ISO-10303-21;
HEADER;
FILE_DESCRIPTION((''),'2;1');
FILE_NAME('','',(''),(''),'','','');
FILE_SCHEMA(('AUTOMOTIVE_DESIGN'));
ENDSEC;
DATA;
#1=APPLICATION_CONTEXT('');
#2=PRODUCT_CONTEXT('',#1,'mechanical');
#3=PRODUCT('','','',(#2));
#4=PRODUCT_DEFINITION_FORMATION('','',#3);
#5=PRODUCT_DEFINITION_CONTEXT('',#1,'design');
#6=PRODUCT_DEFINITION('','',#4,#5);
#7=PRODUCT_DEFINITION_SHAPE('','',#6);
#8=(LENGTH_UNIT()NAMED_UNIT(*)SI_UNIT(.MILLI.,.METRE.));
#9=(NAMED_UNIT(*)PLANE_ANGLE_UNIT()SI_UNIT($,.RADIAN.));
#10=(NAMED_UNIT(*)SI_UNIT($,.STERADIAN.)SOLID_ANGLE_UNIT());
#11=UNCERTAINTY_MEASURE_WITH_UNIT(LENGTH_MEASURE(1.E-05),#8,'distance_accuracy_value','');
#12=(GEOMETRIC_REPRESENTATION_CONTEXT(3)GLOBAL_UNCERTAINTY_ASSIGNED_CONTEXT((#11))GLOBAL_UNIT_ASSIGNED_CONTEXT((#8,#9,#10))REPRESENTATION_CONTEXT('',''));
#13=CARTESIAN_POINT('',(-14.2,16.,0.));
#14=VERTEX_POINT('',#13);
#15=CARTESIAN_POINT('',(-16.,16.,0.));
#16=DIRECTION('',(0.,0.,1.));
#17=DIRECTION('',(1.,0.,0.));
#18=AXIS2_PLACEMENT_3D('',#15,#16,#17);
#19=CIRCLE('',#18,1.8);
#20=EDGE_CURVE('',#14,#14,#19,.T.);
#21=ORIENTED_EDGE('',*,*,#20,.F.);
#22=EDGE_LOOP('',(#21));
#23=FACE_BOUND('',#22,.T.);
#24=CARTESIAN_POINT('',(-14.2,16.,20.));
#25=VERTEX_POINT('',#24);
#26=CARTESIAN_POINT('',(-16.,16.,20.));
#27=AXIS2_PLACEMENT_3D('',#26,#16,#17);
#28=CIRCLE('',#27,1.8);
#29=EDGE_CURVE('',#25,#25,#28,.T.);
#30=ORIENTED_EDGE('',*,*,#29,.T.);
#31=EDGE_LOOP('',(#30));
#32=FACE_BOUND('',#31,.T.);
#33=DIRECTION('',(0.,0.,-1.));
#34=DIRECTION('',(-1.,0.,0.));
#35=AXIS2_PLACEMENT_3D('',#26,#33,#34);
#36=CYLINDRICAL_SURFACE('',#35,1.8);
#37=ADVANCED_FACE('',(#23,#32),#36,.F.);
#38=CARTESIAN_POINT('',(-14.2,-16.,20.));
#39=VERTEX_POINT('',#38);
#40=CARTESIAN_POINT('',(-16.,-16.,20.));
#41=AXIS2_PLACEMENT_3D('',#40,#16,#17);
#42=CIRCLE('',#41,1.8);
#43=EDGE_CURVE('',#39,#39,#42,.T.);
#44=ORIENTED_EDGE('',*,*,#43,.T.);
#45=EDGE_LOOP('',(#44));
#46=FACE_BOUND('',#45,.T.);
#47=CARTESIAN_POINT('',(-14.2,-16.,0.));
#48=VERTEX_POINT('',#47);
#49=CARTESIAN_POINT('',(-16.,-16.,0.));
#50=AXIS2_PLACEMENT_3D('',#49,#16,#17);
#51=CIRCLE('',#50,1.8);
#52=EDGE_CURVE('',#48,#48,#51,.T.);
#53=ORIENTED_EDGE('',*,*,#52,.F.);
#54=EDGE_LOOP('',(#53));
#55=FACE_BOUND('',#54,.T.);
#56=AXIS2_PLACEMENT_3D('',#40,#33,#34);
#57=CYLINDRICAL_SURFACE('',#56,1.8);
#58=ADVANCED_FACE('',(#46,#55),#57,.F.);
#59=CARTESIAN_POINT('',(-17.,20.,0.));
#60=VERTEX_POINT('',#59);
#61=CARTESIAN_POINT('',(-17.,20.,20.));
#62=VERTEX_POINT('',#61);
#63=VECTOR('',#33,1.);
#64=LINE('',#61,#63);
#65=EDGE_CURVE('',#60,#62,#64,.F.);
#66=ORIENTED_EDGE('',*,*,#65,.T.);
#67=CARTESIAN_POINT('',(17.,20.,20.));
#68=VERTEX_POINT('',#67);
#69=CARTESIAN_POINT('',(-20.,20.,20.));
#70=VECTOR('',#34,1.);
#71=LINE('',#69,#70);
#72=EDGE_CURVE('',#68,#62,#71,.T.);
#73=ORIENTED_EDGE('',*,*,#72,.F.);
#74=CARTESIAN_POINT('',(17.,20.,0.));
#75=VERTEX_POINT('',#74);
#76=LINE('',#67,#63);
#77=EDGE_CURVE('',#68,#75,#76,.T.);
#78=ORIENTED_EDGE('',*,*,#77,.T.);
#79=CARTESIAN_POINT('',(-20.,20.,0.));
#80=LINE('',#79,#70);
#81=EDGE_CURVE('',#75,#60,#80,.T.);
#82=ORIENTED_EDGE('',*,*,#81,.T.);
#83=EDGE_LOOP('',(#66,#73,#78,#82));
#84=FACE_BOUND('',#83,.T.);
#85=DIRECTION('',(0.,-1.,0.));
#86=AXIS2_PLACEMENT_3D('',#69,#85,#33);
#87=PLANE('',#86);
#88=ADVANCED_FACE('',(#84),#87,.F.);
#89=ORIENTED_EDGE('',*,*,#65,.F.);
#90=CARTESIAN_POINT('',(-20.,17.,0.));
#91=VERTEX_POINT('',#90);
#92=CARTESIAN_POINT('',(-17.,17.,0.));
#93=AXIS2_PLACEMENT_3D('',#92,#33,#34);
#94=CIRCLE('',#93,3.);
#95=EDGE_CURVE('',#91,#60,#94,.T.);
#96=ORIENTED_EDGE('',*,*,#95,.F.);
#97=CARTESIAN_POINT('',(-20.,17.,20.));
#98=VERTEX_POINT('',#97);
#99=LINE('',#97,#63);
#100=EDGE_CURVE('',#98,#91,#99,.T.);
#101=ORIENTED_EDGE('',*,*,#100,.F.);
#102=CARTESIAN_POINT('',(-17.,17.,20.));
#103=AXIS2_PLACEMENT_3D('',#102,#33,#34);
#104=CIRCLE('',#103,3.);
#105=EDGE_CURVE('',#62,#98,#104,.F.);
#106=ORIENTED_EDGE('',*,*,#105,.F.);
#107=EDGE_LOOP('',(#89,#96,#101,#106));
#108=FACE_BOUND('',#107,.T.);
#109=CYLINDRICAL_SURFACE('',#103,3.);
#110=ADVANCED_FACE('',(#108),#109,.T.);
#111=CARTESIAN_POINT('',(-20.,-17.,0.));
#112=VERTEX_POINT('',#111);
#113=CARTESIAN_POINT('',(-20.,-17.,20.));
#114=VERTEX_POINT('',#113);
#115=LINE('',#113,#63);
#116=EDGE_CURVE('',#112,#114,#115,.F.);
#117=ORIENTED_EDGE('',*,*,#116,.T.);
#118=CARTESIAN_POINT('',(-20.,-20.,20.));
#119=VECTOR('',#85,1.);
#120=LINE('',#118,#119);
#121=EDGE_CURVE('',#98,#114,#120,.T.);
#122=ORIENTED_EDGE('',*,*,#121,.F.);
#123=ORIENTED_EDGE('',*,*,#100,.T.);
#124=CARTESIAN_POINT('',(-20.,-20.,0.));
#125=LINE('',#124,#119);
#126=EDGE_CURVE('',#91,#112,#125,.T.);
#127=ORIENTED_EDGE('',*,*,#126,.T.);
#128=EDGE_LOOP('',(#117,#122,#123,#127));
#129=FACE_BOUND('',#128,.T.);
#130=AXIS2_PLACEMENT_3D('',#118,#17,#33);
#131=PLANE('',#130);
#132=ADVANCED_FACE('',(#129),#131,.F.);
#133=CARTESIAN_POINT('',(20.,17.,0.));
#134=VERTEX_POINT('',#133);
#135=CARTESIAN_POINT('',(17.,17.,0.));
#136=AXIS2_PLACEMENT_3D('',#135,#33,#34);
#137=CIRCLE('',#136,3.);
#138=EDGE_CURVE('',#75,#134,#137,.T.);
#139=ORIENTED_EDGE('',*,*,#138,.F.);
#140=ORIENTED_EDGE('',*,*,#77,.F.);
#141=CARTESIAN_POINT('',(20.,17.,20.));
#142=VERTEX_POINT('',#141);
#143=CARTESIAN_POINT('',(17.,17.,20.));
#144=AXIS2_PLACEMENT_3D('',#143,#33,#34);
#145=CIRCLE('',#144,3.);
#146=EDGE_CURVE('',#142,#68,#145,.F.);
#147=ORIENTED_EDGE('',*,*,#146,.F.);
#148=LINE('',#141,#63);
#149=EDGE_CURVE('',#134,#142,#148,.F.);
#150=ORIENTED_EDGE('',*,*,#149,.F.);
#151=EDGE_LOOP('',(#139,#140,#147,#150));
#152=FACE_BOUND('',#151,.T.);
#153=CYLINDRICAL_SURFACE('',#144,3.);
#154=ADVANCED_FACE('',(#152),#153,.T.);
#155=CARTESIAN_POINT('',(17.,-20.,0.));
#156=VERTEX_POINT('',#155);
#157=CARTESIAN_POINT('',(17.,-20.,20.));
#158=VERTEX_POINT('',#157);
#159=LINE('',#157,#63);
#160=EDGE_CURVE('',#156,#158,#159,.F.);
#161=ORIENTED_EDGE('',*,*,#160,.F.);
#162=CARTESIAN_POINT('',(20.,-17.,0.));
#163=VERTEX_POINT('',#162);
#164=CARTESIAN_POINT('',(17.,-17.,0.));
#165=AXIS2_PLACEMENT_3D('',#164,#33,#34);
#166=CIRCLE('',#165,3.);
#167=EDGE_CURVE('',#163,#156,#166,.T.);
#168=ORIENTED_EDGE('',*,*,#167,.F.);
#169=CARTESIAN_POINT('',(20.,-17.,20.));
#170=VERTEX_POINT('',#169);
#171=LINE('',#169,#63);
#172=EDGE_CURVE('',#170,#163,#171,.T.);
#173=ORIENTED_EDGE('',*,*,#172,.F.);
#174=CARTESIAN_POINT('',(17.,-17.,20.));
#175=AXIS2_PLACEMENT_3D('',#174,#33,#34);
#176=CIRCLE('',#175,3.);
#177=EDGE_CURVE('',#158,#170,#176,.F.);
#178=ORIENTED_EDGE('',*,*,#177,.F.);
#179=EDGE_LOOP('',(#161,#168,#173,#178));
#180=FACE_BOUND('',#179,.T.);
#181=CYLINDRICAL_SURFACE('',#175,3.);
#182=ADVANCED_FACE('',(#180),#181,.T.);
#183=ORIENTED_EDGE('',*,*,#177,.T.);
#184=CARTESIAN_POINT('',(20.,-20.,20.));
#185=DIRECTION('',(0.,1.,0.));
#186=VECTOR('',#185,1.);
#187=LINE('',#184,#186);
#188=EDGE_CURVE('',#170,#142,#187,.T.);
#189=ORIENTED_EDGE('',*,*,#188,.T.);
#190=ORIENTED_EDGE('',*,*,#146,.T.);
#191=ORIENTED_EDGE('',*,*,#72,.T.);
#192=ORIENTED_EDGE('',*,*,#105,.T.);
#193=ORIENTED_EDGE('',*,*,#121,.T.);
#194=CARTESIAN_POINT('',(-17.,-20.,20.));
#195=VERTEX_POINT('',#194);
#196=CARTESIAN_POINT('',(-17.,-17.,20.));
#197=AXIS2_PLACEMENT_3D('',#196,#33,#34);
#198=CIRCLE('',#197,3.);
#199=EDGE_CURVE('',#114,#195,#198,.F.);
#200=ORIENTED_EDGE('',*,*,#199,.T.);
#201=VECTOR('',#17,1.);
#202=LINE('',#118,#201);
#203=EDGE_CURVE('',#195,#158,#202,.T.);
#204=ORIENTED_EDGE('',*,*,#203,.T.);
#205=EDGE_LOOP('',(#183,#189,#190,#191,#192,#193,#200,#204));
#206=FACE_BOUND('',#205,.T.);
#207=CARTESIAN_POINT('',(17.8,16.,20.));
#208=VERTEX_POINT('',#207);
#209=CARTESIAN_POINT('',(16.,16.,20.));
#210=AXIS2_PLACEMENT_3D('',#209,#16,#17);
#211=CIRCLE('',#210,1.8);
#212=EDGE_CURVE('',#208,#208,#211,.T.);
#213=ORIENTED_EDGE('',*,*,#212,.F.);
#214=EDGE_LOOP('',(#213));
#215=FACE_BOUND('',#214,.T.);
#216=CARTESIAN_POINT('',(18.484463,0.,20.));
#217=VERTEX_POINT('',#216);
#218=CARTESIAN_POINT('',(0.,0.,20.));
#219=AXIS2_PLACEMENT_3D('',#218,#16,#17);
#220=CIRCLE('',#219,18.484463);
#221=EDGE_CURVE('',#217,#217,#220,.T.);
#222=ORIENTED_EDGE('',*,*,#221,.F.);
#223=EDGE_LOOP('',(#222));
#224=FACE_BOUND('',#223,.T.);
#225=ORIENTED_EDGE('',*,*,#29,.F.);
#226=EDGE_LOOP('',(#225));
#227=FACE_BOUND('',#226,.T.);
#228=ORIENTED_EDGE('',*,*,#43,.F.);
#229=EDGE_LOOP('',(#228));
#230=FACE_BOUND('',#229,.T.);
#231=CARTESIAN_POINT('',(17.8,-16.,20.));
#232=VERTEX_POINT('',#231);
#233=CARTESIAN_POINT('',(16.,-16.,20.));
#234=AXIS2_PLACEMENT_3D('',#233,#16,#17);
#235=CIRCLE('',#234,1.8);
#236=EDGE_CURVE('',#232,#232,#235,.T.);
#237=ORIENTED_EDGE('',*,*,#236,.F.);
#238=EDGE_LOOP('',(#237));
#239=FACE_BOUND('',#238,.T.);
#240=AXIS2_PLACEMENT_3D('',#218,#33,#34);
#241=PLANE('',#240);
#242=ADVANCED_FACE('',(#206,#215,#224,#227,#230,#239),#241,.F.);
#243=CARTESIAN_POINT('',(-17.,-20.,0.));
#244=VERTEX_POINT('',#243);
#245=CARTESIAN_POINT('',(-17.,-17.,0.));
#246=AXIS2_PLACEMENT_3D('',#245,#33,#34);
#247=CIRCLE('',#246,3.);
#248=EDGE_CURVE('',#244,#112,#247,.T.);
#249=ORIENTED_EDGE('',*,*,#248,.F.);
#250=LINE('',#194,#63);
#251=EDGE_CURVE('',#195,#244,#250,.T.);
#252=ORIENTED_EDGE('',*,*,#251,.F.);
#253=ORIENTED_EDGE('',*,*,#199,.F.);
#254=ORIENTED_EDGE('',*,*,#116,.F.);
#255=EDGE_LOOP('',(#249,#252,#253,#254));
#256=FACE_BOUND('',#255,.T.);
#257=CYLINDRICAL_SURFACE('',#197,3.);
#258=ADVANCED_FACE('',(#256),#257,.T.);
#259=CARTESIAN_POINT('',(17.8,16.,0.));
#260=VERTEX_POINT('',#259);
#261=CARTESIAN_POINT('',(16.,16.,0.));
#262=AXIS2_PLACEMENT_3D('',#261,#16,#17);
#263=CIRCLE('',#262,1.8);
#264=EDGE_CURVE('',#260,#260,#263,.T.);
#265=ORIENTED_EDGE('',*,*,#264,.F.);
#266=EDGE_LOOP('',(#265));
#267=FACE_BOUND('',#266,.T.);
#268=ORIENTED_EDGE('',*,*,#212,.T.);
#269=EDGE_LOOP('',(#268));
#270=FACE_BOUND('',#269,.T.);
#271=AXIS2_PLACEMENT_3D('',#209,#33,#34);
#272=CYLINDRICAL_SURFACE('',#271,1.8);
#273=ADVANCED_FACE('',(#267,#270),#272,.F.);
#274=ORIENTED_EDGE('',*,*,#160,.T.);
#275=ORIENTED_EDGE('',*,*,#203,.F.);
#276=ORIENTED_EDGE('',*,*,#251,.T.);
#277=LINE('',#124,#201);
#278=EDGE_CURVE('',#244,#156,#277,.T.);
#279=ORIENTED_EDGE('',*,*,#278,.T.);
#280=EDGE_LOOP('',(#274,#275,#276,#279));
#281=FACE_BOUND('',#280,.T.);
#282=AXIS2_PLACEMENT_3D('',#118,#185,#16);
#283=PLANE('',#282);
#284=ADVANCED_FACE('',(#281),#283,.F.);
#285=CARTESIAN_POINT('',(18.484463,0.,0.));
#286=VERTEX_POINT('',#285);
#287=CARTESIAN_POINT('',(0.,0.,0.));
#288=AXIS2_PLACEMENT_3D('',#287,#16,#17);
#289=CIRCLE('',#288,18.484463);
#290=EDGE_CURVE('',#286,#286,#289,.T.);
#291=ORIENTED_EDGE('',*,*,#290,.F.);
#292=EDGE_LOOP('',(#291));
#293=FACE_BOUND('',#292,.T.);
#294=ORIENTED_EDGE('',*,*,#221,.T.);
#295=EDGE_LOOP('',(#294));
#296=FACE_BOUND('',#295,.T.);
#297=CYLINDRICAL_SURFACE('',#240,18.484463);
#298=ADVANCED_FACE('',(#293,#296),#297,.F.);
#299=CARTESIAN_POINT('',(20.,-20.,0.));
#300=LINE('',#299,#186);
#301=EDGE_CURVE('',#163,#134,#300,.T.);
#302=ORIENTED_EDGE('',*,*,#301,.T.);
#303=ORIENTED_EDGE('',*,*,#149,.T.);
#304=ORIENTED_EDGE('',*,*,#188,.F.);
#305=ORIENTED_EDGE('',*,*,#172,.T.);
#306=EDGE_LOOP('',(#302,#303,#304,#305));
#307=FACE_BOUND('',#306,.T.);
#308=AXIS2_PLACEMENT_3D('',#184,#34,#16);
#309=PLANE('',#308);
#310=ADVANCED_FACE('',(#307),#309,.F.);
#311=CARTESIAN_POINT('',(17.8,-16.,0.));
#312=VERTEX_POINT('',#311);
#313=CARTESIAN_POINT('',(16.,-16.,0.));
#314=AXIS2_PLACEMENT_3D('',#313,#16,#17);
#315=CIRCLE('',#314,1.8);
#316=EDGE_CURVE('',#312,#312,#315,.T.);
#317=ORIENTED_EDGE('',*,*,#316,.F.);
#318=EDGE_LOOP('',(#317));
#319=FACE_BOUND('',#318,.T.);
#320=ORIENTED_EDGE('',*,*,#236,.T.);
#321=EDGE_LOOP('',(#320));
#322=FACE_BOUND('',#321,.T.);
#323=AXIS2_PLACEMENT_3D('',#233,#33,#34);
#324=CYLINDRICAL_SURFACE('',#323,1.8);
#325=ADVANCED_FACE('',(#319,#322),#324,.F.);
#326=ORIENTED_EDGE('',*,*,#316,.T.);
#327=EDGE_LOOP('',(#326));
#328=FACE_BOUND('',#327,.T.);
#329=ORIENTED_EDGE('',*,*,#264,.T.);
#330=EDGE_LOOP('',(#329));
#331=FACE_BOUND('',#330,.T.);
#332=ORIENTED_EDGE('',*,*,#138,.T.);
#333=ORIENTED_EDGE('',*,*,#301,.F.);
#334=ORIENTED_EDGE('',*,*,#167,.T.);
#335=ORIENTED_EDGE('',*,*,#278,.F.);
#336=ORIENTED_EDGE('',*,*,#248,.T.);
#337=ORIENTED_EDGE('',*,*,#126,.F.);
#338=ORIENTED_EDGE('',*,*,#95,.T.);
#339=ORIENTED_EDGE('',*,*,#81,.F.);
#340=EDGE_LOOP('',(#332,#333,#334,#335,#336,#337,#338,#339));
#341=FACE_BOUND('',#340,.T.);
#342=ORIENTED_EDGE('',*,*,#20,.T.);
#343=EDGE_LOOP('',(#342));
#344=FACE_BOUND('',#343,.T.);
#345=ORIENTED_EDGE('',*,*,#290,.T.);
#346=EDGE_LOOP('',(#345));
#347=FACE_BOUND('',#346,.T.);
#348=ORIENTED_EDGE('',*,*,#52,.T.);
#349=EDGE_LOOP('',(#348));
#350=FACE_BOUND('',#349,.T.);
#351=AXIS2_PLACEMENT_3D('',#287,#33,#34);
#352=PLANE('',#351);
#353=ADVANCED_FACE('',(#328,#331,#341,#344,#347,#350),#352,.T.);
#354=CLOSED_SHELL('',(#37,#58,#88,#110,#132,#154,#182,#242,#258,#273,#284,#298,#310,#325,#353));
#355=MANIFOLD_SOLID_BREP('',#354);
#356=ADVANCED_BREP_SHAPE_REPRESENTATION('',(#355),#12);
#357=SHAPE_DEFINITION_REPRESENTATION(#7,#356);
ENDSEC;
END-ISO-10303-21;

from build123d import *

# Parameters (mm, degrees)
SKETCH1_W           = 40
SKETCH1_H           = 40
SKETCH1_R           = 1.8
SKETCH1_R_2         = 18.484463189
BOSS_EXTRUDE1_DEPTH = 20
FILLET1_R           = 3


with BuildPart() as part:
    # Sketch1 → Boss-Extrude1 (new body)
    with BuildSketch(Plane.XY):
        Rectangle(SKETCH1_W, SKETCH1_H)
        with Locations((-16, 16)):
            Circle(SKETCH1_R, mode=Mode.SUBTRACT)
        with Locations((16, 16)):
            Circle(SKETCH1_R, mode=Mode.SUBTRACT)
        with Locations((16, -16)):
            Circle(SKETCH1_R, mode=Mode.SUBTRACT)
        with Locations((-16, -16)):
            Circle(SKETCH1_R, mode=Mode.SUBTRACT)
        Circle(SKETCH1_R_2, mode=Mode.SUBTRACT)
    extrude(amount=BOSS_EXTRUDE1_DEPTH)

    # Fillet1
    fillet1_edges = [part.edges().sort_by_distance(p)[0] for p in [
        (20, -20, 10),
        (-20, -20, 10),
        (-20, 20, 10),
        (20, 20, 10),
    ]]
    fillet(fillet1_edges, radius=FILLET1_R)


solid = part.part
